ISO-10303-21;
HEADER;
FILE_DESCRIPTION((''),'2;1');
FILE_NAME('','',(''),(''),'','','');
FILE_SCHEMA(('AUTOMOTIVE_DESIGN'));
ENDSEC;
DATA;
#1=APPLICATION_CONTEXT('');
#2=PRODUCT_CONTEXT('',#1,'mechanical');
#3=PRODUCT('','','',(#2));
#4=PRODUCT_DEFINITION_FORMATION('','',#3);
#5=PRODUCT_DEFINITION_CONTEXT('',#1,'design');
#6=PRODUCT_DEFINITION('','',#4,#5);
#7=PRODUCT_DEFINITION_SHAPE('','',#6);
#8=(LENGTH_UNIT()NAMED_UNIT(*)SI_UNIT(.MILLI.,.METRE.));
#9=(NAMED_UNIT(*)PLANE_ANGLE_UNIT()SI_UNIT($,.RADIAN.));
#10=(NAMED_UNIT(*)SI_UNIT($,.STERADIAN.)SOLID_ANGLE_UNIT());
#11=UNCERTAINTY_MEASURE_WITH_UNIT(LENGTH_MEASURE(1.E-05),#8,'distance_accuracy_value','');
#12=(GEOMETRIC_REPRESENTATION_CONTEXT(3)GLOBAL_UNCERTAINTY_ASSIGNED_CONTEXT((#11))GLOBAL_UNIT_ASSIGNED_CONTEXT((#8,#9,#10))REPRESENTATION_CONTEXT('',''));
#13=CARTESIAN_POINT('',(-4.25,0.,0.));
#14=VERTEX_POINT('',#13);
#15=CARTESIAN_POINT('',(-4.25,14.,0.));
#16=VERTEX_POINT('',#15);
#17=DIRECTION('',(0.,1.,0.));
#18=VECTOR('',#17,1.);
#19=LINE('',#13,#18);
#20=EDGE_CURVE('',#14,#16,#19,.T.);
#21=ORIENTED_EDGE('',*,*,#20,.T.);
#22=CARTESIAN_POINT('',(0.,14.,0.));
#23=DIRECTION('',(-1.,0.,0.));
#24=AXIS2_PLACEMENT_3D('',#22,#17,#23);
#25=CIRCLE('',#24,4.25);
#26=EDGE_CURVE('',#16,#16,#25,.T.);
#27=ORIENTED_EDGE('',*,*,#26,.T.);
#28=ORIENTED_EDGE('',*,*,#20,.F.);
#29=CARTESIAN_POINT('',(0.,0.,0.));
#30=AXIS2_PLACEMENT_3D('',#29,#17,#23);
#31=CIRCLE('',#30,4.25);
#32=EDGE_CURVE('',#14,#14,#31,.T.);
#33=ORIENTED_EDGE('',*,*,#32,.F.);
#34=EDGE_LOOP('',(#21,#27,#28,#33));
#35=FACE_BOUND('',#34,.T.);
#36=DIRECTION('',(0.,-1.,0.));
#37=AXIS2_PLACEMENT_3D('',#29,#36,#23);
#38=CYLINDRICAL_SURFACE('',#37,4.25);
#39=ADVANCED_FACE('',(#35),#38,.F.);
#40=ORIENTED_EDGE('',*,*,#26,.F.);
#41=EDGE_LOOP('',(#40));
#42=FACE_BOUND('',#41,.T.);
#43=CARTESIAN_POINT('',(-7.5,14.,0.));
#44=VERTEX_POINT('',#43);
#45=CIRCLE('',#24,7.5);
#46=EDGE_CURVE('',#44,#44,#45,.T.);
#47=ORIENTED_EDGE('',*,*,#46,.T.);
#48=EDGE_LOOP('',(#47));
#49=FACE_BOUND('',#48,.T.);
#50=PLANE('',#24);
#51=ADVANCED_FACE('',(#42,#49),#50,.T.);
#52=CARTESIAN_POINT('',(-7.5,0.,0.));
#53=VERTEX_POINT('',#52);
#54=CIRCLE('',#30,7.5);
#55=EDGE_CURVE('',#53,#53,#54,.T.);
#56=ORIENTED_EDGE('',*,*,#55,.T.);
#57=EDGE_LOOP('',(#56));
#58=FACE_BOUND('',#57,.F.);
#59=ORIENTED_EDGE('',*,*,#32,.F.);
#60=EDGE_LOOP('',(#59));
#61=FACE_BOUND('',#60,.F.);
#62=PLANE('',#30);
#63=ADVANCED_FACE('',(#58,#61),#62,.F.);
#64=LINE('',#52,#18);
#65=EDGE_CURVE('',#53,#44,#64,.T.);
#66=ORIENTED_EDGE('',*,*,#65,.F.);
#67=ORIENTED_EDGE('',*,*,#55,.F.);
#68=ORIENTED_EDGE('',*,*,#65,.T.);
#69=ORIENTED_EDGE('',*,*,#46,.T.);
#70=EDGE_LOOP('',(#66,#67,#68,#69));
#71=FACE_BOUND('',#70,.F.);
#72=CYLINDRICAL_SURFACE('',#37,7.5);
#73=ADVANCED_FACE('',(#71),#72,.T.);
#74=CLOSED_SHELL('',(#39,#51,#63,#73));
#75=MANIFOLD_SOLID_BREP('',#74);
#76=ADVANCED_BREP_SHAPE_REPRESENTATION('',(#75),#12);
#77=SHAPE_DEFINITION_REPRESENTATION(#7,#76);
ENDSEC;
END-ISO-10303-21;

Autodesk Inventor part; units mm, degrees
ref_plane "YZ Plane" through (0, 0, 0) normal (1, 0, 0) x (0, 1, 0)
ref_plane "XZ Plane" through (0, 0, 0) normal (0, 1, 0) x (-1, 0, 0)
ref_plane "XY Plane" through (0, 0, 0) normal (0, 0, 1) x (1, 0, 0)
sketch "スケッチ1" plane through (0, 0, 0) normal (0, 1, 0) x (-1, 0, 0)
  circle A0 centre (0, 0) radius 4.25
  circle A1 centre (0, 0) radius 7.5
  dimension "d0" = 8.5
  dimension "d1" = 15
extrude "押し出し1" add sketch "スケッチ1" along normal blind 14
properties part number "elbow_upperplate_right_spacer"
